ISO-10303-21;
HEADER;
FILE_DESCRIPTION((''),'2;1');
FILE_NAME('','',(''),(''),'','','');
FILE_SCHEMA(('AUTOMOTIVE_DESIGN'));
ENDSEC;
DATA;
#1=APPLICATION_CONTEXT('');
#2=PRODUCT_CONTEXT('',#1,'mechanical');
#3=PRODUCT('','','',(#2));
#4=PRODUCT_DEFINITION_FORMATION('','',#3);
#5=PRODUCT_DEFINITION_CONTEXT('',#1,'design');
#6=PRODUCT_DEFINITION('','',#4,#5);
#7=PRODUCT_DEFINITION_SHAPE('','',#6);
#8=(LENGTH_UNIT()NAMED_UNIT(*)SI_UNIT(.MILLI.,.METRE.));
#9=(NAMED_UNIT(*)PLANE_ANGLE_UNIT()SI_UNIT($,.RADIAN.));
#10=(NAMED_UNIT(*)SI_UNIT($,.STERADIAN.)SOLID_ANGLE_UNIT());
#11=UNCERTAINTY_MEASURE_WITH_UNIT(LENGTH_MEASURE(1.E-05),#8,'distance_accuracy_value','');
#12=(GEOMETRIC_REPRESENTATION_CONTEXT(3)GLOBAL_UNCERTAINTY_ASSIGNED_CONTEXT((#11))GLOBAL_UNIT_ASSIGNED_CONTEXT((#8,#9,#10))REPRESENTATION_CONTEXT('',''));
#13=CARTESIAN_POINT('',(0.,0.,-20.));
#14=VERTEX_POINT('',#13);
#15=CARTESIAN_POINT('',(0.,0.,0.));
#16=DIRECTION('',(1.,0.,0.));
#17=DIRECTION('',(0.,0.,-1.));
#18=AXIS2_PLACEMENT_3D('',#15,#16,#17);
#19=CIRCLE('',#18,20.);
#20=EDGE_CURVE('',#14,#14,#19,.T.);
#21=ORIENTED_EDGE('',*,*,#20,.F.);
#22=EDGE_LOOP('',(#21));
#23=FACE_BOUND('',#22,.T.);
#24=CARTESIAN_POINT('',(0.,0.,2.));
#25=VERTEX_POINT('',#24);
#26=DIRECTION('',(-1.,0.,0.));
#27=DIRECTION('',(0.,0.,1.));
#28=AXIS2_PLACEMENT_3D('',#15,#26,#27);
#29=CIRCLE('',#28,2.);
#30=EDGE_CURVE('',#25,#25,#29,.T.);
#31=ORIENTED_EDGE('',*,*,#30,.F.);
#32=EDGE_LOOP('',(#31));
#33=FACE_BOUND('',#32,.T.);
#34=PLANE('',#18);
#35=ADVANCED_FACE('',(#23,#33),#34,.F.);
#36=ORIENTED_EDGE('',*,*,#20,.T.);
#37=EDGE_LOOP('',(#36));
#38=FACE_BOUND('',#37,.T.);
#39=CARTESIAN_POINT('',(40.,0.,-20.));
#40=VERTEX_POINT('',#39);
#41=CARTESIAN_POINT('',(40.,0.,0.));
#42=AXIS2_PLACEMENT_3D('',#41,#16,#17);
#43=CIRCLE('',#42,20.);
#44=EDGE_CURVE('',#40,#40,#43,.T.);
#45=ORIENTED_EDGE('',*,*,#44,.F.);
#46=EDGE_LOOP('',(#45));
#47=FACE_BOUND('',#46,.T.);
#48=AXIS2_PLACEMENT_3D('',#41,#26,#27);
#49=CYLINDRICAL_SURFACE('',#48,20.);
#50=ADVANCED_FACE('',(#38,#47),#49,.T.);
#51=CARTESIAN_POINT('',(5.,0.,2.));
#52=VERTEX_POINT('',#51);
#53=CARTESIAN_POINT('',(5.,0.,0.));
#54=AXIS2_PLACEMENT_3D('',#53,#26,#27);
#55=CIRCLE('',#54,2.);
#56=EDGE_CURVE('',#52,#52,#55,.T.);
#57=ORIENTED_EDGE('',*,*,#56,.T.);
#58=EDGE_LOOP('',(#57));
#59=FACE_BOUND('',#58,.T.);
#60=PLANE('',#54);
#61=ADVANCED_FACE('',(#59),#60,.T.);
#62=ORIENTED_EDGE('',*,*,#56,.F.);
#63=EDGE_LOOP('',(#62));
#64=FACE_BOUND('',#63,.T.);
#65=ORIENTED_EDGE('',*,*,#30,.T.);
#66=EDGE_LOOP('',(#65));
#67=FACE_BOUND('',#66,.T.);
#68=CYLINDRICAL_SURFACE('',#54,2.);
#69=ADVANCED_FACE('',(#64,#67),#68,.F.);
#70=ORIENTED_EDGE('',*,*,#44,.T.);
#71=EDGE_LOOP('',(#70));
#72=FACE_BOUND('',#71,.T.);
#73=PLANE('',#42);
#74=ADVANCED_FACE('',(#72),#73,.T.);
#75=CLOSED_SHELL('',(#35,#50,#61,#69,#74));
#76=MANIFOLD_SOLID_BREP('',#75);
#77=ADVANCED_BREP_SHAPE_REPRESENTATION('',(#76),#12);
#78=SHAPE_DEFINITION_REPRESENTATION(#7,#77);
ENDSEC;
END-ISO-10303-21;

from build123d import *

# Parameters (mm, degrees)
SKETCH1_R           = 20
BOSS_EXTRUDE2_DEPTH = 40
SKETCH3_R           = 2
CUT_EXTRUDE1_DEPTH  = 5


with BuildPart() as part:
    # Sketch1 → Boss-Extrude2 (new body)
    with BuildSketch(Plane(origin=(0, 0, 0), x_dir=(0, 0, -1), z_dir=(1, 0, 0))):
        Circle(SKETCH1_R)
    extrude(amount=BOSS_EXTRUDE2_DEPTH)

    # Sketch3 → Cut-Extrude1 (cut)
    with BuildSketch(Plane.ZY):
        Circle(SKETCH3_R)
    extrude(amount=-CUT_EXTRUDE1_DEPTH, mode=Mode.SUBTRACT)


solid = part.part
